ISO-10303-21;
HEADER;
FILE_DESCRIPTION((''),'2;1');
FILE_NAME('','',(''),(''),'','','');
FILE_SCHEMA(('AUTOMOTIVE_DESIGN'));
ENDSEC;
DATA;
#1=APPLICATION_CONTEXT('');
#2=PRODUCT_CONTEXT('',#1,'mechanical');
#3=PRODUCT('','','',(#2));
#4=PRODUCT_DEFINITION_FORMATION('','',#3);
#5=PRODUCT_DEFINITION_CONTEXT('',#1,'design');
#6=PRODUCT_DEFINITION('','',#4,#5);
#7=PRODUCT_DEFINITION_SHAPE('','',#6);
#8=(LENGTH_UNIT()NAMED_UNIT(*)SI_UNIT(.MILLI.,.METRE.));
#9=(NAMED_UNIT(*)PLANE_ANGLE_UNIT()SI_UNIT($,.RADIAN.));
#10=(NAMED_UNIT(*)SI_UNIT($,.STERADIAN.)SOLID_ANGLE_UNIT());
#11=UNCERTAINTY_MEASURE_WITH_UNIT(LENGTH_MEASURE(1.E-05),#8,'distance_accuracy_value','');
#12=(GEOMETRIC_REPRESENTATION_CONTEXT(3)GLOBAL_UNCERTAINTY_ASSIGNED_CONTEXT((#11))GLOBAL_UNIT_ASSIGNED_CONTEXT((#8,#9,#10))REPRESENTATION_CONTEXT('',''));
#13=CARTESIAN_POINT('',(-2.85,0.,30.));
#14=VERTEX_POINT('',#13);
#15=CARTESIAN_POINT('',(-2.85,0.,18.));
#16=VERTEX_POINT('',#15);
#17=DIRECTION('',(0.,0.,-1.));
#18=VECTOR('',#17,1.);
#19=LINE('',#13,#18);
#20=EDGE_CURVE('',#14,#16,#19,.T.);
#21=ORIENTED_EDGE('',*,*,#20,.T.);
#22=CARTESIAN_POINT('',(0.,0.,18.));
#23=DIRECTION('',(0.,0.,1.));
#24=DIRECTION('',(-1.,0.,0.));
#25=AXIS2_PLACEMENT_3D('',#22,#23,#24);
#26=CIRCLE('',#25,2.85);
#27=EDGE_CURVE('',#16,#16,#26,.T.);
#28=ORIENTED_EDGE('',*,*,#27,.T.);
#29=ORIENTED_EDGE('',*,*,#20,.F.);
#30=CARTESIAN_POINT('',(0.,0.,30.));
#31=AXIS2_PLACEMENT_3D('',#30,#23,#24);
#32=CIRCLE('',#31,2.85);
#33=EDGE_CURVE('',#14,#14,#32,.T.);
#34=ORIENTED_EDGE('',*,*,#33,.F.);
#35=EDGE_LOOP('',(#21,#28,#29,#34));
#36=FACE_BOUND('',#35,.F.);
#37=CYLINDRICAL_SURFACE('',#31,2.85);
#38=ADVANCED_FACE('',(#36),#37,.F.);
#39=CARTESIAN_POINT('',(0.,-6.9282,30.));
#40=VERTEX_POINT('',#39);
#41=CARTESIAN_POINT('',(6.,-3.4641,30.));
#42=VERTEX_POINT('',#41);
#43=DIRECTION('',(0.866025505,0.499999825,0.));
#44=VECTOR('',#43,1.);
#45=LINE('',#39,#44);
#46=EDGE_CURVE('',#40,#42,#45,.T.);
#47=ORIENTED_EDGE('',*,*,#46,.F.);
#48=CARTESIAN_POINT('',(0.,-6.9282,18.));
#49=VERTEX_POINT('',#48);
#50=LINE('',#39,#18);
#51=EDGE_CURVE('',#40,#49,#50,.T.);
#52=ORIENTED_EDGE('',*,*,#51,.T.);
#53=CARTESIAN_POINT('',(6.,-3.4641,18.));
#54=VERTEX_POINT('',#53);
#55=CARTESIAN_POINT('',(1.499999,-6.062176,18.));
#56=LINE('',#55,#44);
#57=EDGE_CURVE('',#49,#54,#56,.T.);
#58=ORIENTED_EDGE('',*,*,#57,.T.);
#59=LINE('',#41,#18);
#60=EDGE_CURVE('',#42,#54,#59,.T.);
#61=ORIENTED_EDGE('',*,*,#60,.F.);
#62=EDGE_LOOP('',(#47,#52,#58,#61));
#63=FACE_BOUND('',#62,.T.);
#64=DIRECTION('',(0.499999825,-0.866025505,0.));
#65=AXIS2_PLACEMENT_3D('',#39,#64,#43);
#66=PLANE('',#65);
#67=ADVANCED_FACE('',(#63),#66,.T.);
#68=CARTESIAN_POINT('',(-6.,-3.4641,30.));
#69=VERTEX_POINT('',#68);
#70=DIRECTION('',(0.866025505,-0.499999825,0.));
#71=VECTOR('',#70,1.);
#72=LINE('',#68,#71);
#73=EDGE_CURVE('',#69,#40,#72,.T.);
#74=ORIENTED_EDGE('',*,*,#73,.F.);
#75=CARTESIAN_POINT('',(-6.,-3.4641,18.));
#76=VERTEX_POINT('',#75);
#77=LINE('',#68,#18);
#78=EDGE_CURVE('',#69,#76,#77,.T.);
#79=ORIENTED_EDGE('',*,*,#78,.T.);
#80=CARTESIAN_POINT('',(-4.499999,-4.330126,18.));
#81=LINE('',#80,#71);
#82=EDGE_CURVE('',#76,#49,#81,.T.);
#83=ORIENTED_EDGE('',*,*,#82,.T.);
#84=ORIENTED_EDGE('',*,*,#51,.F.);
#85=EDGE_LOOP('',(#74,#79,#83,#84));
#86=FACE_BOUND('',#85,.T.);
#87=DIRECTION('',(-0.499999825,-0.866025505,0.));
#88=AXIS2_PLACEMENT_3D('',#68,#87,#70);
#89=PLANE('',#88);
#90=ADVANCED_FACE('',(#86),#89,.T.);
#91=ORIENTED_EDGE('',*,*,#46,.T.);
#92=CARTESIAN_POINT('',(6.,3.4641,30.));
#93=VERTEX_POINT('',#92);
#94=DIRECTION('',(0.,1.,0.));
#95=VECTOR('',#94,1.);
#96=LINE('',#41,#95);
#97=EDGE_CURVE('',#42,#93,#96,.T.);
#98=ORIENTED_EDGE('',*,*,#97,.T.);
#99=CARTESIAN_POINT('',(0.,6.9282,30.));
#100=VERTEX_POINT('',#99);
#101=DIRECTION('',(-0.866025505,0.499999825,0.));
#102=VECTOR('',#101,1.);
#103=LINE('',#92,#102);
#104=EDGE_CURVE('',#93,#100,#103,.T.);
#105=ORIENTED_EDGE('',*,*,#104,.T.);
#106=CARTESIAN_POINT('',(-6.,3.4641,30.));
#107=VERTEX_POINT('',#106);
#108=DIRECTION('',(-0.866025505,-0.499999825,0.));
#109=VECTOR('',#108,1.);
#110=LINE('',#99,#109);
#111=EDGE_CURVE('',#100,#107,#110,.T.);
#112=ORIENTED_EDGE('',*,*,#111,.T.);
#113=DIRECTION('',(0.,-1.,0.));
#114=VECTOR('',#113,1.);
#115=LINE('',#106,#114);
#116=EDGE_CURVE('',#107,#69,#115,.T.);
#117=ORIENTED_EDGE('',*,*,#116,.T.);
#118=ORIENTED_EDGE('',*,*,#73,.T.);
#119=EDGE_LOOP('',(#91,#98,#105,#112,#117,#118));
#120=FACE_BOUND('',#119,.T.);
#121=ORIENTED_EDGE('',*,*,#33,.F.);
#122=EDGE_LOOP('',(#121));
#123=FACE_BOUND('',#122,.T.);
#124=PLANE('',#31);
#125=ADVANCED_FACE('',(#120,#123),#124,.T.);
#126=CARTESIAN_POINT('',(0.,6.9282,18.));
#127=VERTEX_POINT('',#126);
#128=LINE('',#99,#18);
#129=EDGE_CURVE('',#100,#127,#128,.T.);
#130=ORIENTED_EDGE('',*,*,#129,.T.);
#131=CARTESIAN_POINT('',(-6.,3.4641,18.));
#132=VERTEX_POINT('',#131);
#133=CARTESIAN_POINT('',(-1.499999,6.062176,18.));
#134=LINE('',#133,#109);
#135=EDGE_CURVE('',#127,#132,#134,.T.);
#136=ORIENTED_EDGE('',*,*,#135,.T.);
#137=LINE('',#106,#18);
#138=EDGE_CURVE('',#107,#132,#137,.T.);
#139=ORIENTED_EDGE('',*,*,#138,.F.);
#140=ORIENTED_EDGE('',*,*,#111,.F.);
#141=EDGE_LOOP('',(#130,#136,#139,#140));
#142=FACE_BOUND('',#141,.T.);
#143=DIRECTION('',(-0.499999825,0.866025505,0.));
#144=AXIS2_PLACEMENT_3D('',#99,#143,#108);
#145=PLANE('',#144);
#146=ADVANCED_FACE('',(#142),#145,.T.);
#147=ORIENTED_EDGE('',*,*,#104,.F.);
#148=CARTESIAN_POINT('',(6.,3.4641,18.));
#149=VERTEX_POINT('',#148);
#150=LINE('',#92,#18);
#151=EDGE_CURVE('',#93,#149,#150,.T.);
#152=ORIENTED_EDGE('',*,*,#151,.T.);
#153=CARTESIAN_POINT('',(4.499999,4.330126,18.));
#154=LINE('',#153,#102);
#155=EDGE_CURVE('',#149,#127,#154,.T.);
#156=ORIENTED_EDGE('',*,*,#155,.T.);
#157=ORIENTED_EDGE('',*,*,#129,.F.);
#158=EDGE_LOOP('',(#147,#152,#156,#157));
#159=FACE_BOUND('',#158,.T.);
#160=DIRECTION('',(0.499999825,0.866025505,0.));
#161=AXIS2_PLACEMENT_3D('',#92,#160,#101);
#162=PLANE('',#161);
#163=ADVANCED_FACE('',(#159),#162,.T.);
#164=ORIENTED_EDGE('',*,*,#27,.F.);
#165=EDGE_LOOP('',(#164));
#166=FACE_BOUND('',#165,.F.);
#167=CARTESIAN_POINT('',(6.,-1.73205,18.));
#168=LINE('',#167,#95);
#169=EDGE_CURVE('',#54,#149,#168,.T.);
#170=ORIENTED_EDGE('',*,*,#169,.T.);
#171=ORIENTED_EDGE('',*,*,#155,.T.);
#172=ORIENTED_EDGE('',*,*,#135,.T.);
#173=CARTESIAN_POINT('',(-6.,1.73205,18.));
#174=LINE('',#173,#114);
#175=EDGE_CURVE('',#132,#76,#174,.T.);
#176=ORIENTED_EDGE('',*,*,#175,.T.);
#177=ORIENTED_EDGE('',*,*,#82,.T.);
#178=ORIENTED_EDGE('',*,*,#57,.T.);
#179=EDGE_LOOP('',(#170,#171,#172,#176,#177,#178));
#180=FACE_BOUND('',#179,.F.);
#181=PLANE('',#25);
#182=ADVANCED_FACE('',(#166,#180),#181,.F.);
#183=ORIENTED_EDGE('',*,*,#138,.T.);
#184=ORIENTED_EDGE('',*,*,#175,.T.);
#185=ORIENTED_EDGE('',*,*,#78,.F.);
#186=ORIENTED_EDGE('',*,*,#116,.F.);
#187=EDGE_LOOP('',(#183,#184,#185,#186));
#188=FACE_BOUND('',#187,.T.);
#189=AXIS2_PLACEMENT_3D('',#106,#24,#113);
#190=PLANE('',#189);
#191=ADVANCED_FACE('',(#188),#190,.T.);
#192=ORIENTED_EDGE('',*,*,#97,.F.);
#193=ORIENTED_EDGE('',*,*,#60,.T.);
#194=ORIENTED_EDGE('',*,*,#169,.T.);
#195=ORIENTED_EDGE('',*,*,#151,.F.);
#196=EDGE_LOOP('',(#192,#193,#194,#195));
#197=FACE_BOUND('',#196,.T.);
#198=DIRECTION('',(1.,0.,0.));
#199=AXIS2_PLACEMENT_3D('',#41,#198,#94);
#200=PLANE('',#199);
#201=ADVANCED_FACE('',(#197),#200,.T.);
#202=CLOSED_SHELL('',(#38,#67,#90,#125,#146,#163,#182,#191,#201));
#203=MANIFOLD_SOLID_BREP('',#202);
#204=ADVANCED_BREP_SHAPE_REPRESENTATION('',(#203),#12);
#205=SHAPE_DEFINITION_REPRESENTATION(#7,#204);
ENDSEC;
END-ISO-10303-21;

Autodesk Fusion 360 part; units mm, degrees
sketch "Sketch1" plane through (0, 0, 0) normal (0, 0, 1) x (1, 0, 0)
  line L0 (-5.5, -3.1754) -> (0, -6.3509)
  line L1 (0, -6.3509) -> (5.5, -3.1754)
  line L2 (5.5, -3.1754) -> (5.5, 3.1754)
  line L3 (5.5, 3.1754) -> (0, 6.3509)
  line L4 (0, 6.3509) -> (-5.5, 3.1754)
  line L5 (-5.5, 3.1754) -> (-5.5, -3.1754)
  dimension "d1" = 5.5
extrude "Extrude1" add sketch "Sketch1" along normal blind 5
sketch "Sketch2" plane through (0, 0, 5) normal (0, 0, 1) x (-1, 0, 0)
  line L0 (5.5, -3.1754) -> (5.5, 3.1754)
  line L1 (5.5, 3.1754) -> (0, 6.3509)
  line L2 (0, 6.3509) -> (-5.5, 3.1754)
  line L3 (-5.5, 3.1754) -> (-5.5, -3.1754)
  line L4 (-5.5, -3.1754) -> (0, -6.3509)
  line L5 (0, -6.3509) -> (5.5, -3.1754)
  circle A0 centre (0, 0) radius 2
  dimension "d4" = 4
extrude "Extrude2" cut sketch "Sketch2" against normal blind 12 contours A0
extrude "Extrude3" add 1 faces at (-4.3333, 0, 5) along direction (0, 0, 1) blind 25
sketch "Sketch3" plane through (0, 0, 30) normal (0, 0, 1) x (-1, 0, 0)
  circle A0 centre (0, 0) radius 2
  line L0 (5.5, -3.1754) -> (5.5, 3.1754)
  line L1 (5.5, 3.1754) -> (0, 6.3509)
  line L2 (0, 6.3509) -> (-5.5, 3.1754)
  line L3 (-5.5, 3.1754) -> (-5.5, -3.1754)
  line L4 (-5.5, -3.1754) -> (0, -6.3509)
  line L5 (0, -6.3509) -> (5.5, -3.1754)
  line L6 (-5.8, -3.3486) -> (0, -6.6973)
  line L7 (0, -6.6973) -> (5.8, -3.3486)
  line L8 (5.8, -3.3486) -> (5.8, 3.3486)
  line L9 (5.8, 3.3486) -> (0, 6.6973)
  line L10 (0, 6.6973) -> (-5.8, 3.3486)
  line L11 (-5.8, 3.3486) -> (-5.8, -3.3486)
  dimension "d9" = 5.8
extrude "Extrude4" add sketch "Sketch3" against normal blind 16 contours L6 L7 L8 L9 L10 L11
sketch "Sketch4" plane through (0, 0, 30) normal (0, 0, 1) x (-1, 0, 0)
  line L0 (-5.8, 3.3486) -> (-5.8, -3.3486)
  line L1 (-5.8, -3.3486) -> (0, -6.6973)
  line L2 (0, -6.6973) -> (5.8, -3.3486)
  line L3 (5.8, -3.3486) -> (5.8, 3.3486)
  line L4 (5.8, 3.3486) -> (0, 6.6973)
  line L5 (0, 6.6973) -> (-5.8, 3.3486)
  circle A0 centre (0, 0) radius 2
  circle A1 centre (0, 0) radius 2.65
  dimension "d12" = 5.3
extrude "Extrude5" cut sketch "Sketch4" against normal blind 35 contours A1
extrude "Extrude6" cut 1 faces at (-2.275, -3.9404, 0) along direction (0, 0, 1) blind 2
extrude "Extrude7" cut 1 faces at (2.375, -4.1136, 30) along direction (0, 0, -1) blind 33 from surface at 12
sketch "Sketch5" plane through (0, 0, 30) normal (0, 0, 1) x (-1, 0, 0)
  circle A0 centre (0, 0) radius 2.65
  line L0 (-5.8, 3.3486) -> (-5.8, -3.3486)
  line L1 (-5.8, -3.3486) -> (0, -6.6973)
  line L2 (0, -6.6973) -> (5.8, -3.3486)
  line L3 (5.8, -3.3486) -> (5.8, 3.3486)
  line L4 (5.8, 3.3486) -> (0, 6.6973)
  line L5 (0, 6.6973) -> (-5.8, 3.3486)
  line L6 (-6.1, -3.5218) -> (0, -7.0437)
  line L7 (0, -7.0437) -> (6.1, -3.5218)
  line L8 (6.1, -3.5218) -> (6.1, 3.5218)
  line L9 (6.1, 3.5218) -> (0, 7.0437)
  line L10 (0, 7.0437) -> (-6.1, 3.5218)
  line L11 (-6.1, 3.5218) -> (-6.1, -3.5218)
  dimension "d20" = 6.1
extrude "Extrude8" add sketch "Sketch5" against normal blind 12 contours L6 L7 L8 L9 L10 L11
sketch "Sketch6" plane through (0, 0, 30) normal (0, 0, 1) x (-1, 0, 0)
  line L0 (-6.1, 3.5218) -> (-6.1, -3.5218)
  line L1 (-6.1, -3.5218) -> (0, -7.0437)
  line L2 (0, -7.0437) -> (6.1, -3.5218)
  line L3 (6.1, -3.5218) -> (6.1, 3.5218)
  line L4 (6.1, 3.5218) -> (0, 7.0437)
  line L5 (0, 7.0437) -> (-6.1, 3.5218)
  circle A0 centre (0, 0) radius 2.65
  line L6 (-6, -3.4641) -> (0, -6.9282)
  line L7 (0, -6.9282) -> (6, -3.4641)
  line L8 (6, -3.4641) -> (6, 3.4641)
  line L9 (6, 3.4641) -> (0, 6.9282)
  line L10 (0, 6.9282) -> (-6, 3.4641)
  line L11 (-6, 3.4641) -> (-6, -3.4641)
  circle A1 centre (0, 0) radius 2.85
  dimension "d23" = 6
  dimension "d24" = 5.7
extrude "Extrude9" cut sketch "Sketch6" against normal blind 13
